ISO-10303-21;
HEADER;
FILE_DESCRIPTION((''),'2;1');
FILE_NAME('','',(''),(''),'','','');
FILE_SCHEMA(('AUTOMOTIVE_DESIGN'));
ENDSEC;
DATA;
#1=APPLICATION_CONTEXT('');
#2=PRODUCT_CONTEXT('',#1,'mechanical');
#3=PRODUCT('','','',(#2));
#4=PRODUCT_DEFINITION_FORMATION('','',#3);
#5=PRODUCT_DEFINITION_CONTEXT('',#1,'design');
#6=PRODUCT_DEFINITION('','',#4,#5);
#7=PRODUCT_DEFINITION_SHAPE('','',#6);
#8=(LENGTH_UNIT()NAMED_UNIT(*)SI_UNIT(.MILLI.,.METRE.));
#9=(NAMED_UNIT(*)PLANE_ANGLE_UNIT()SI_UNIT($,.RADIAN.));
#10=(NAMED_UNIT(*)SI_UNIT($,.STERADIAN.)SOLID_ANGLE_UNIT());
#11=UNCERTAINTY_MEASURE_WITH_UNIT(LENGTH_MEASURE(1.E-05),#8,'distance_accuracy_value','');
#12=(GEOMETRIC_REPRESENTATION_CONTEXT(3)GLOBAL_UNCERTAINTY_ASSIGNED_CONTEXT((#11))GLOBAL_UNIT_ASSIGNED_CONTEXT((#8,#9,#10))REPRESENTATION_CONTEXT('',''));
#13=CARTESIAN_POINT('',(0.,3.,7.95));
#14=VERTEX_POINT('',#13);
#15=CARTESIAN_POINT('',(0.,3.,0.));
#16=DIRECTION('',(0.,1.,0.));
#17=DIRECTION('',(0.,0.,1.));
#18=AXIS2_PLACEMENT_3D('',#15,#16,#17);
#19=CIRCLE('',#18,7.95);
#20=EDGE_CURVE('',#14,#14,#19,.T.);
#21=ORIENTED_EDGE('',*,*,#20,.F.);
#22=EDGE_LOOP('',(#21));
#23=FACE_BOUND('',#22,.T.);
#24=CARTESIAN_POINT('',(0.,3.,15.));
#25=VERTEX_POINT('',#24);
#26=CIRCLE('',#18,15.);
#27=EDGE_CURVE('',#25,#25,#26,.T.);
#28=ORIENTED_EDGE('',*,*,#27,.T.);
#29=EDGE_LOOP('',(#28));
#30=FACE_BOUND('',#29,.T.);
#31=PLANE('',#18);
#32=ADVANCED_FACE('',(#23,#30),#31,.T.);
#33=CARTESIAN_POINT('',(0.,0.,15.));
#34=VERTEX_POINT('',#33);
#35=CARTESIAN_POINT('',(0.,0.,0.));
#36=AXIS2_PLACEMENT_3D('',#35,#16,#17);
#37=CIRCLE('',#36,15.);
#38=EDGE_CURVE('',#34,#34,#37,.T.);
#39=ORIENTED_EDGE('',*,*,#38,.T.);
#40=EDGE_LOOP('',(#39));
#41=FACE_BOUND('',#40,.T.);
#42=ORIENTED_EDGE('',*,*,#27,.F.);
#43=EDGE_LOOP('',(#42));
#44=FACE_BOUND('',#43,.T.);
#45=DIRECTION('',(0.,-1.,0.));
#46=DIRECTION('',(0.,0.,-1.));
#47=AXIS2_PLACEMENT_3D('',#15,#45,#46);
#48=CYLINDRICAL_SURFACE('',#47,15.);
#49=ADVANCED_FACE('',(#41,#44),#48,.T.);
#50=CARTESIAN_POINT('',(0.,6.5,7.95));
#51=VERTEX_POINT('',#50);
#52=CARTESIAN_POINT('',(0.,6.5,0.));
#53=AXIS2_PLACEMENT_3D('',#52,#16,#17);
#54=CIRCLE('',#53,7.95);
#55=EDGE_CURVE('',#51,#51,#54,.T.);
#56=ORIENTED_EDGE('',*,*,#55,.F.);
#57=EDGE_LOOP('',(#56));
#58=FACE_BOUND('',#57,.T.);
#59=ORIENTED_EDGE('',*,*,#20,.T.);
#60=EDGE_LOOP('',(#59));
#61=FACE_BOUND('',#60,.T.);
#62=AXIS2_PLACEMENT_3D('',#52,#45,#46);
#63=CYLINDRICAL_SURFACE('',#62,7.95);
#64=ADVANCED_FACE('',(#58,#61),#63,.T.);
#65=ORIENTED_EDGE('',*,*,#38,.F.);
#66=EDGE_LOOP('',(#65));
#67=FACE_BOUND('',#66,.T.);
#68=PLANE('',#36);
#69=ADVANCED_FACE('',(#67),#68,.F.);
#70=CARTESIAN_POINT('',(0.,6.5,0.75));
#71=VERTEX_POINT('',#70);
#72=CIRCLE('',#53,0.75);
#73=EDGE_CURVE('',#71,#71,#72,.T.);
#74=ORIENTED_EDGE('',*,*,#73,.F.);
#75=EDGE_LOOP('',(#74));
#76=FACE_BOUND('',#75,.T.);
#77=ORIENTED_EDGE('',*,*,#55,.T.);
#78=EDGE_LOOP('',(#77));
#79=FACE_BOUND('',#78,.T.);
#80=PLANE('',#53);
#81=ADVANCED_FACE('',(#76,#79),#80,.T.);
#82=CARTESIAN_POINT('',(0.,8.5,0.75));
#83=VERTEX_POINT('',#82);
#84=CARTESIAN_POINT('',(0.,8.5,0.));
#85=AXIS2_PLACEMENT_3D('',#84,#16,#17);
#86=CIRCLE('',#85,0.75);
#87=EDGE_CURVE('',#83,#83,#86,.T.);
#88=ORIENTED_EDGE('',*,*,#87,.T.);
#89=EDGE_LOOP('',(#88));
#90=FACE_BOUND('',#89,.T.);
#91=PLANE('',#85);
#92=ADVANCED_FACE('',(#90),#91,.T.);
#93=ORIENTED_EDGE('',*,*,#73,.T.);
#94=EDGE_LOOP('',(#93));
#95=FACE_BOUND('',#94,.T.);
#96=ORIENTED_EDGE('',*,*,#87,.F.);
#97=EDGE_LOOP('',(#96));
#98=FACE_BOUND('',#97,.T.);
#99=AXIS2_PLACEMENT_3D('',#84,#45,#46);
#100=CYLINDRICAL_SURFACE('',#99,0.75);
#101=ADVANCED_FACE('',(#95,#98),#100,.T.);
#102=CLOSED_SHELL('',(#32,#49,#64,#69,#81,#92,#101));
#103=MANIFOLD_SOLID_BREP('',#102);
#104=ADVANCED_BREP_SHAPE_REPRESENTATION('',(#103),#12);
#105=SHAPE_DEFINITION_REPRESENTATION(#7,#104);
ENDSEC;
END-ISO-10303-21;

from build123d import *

# Parameters (mm, degrees)
SKETCH_1_R      = 15
EXTRUDE_1_DEPTH = 3
SKETCH_2_R      = 7.95
EXTRUDE_2_DEPTH = 3.5
SKETCH_3_R      = 0.75
EXTRUDE_3_DEPTH = 2


with BuildPart() as part:
    # 草图1 → 凸台-拉伸1 (new body)
    with BuildSketch(Plane(origin=(0, 0, 0), x_dir=(1, 0, 0), z_dir=(0, 1, 0))):
        Circle(SKETCH_1_R)
    extrude(amount=EXTRUDE_1_DEPTH)

    # 草图2 → 凸台-拉伸2 (add)
    with BuildSketch(Plane(origin=(0, 3, 0), x_dir=(1, 0, 0), z_dir=(0, 1, 0))):
        Circle(SKETCH_2_R)
    extrude(amount=EXTRUDE_2_DEPTH)

    # 草图3 → 凸台-拉伸3 (add)
    with BuildSketch(Plane(origin=(0, 6.5, 0), x_dir=(1, 0, 0), z_dir=(0, 1, 0))):
        Circle(SKETCH_3_R)
    extrude(amount=EXTRUDE_3_DEPTH)


solid = part.part
